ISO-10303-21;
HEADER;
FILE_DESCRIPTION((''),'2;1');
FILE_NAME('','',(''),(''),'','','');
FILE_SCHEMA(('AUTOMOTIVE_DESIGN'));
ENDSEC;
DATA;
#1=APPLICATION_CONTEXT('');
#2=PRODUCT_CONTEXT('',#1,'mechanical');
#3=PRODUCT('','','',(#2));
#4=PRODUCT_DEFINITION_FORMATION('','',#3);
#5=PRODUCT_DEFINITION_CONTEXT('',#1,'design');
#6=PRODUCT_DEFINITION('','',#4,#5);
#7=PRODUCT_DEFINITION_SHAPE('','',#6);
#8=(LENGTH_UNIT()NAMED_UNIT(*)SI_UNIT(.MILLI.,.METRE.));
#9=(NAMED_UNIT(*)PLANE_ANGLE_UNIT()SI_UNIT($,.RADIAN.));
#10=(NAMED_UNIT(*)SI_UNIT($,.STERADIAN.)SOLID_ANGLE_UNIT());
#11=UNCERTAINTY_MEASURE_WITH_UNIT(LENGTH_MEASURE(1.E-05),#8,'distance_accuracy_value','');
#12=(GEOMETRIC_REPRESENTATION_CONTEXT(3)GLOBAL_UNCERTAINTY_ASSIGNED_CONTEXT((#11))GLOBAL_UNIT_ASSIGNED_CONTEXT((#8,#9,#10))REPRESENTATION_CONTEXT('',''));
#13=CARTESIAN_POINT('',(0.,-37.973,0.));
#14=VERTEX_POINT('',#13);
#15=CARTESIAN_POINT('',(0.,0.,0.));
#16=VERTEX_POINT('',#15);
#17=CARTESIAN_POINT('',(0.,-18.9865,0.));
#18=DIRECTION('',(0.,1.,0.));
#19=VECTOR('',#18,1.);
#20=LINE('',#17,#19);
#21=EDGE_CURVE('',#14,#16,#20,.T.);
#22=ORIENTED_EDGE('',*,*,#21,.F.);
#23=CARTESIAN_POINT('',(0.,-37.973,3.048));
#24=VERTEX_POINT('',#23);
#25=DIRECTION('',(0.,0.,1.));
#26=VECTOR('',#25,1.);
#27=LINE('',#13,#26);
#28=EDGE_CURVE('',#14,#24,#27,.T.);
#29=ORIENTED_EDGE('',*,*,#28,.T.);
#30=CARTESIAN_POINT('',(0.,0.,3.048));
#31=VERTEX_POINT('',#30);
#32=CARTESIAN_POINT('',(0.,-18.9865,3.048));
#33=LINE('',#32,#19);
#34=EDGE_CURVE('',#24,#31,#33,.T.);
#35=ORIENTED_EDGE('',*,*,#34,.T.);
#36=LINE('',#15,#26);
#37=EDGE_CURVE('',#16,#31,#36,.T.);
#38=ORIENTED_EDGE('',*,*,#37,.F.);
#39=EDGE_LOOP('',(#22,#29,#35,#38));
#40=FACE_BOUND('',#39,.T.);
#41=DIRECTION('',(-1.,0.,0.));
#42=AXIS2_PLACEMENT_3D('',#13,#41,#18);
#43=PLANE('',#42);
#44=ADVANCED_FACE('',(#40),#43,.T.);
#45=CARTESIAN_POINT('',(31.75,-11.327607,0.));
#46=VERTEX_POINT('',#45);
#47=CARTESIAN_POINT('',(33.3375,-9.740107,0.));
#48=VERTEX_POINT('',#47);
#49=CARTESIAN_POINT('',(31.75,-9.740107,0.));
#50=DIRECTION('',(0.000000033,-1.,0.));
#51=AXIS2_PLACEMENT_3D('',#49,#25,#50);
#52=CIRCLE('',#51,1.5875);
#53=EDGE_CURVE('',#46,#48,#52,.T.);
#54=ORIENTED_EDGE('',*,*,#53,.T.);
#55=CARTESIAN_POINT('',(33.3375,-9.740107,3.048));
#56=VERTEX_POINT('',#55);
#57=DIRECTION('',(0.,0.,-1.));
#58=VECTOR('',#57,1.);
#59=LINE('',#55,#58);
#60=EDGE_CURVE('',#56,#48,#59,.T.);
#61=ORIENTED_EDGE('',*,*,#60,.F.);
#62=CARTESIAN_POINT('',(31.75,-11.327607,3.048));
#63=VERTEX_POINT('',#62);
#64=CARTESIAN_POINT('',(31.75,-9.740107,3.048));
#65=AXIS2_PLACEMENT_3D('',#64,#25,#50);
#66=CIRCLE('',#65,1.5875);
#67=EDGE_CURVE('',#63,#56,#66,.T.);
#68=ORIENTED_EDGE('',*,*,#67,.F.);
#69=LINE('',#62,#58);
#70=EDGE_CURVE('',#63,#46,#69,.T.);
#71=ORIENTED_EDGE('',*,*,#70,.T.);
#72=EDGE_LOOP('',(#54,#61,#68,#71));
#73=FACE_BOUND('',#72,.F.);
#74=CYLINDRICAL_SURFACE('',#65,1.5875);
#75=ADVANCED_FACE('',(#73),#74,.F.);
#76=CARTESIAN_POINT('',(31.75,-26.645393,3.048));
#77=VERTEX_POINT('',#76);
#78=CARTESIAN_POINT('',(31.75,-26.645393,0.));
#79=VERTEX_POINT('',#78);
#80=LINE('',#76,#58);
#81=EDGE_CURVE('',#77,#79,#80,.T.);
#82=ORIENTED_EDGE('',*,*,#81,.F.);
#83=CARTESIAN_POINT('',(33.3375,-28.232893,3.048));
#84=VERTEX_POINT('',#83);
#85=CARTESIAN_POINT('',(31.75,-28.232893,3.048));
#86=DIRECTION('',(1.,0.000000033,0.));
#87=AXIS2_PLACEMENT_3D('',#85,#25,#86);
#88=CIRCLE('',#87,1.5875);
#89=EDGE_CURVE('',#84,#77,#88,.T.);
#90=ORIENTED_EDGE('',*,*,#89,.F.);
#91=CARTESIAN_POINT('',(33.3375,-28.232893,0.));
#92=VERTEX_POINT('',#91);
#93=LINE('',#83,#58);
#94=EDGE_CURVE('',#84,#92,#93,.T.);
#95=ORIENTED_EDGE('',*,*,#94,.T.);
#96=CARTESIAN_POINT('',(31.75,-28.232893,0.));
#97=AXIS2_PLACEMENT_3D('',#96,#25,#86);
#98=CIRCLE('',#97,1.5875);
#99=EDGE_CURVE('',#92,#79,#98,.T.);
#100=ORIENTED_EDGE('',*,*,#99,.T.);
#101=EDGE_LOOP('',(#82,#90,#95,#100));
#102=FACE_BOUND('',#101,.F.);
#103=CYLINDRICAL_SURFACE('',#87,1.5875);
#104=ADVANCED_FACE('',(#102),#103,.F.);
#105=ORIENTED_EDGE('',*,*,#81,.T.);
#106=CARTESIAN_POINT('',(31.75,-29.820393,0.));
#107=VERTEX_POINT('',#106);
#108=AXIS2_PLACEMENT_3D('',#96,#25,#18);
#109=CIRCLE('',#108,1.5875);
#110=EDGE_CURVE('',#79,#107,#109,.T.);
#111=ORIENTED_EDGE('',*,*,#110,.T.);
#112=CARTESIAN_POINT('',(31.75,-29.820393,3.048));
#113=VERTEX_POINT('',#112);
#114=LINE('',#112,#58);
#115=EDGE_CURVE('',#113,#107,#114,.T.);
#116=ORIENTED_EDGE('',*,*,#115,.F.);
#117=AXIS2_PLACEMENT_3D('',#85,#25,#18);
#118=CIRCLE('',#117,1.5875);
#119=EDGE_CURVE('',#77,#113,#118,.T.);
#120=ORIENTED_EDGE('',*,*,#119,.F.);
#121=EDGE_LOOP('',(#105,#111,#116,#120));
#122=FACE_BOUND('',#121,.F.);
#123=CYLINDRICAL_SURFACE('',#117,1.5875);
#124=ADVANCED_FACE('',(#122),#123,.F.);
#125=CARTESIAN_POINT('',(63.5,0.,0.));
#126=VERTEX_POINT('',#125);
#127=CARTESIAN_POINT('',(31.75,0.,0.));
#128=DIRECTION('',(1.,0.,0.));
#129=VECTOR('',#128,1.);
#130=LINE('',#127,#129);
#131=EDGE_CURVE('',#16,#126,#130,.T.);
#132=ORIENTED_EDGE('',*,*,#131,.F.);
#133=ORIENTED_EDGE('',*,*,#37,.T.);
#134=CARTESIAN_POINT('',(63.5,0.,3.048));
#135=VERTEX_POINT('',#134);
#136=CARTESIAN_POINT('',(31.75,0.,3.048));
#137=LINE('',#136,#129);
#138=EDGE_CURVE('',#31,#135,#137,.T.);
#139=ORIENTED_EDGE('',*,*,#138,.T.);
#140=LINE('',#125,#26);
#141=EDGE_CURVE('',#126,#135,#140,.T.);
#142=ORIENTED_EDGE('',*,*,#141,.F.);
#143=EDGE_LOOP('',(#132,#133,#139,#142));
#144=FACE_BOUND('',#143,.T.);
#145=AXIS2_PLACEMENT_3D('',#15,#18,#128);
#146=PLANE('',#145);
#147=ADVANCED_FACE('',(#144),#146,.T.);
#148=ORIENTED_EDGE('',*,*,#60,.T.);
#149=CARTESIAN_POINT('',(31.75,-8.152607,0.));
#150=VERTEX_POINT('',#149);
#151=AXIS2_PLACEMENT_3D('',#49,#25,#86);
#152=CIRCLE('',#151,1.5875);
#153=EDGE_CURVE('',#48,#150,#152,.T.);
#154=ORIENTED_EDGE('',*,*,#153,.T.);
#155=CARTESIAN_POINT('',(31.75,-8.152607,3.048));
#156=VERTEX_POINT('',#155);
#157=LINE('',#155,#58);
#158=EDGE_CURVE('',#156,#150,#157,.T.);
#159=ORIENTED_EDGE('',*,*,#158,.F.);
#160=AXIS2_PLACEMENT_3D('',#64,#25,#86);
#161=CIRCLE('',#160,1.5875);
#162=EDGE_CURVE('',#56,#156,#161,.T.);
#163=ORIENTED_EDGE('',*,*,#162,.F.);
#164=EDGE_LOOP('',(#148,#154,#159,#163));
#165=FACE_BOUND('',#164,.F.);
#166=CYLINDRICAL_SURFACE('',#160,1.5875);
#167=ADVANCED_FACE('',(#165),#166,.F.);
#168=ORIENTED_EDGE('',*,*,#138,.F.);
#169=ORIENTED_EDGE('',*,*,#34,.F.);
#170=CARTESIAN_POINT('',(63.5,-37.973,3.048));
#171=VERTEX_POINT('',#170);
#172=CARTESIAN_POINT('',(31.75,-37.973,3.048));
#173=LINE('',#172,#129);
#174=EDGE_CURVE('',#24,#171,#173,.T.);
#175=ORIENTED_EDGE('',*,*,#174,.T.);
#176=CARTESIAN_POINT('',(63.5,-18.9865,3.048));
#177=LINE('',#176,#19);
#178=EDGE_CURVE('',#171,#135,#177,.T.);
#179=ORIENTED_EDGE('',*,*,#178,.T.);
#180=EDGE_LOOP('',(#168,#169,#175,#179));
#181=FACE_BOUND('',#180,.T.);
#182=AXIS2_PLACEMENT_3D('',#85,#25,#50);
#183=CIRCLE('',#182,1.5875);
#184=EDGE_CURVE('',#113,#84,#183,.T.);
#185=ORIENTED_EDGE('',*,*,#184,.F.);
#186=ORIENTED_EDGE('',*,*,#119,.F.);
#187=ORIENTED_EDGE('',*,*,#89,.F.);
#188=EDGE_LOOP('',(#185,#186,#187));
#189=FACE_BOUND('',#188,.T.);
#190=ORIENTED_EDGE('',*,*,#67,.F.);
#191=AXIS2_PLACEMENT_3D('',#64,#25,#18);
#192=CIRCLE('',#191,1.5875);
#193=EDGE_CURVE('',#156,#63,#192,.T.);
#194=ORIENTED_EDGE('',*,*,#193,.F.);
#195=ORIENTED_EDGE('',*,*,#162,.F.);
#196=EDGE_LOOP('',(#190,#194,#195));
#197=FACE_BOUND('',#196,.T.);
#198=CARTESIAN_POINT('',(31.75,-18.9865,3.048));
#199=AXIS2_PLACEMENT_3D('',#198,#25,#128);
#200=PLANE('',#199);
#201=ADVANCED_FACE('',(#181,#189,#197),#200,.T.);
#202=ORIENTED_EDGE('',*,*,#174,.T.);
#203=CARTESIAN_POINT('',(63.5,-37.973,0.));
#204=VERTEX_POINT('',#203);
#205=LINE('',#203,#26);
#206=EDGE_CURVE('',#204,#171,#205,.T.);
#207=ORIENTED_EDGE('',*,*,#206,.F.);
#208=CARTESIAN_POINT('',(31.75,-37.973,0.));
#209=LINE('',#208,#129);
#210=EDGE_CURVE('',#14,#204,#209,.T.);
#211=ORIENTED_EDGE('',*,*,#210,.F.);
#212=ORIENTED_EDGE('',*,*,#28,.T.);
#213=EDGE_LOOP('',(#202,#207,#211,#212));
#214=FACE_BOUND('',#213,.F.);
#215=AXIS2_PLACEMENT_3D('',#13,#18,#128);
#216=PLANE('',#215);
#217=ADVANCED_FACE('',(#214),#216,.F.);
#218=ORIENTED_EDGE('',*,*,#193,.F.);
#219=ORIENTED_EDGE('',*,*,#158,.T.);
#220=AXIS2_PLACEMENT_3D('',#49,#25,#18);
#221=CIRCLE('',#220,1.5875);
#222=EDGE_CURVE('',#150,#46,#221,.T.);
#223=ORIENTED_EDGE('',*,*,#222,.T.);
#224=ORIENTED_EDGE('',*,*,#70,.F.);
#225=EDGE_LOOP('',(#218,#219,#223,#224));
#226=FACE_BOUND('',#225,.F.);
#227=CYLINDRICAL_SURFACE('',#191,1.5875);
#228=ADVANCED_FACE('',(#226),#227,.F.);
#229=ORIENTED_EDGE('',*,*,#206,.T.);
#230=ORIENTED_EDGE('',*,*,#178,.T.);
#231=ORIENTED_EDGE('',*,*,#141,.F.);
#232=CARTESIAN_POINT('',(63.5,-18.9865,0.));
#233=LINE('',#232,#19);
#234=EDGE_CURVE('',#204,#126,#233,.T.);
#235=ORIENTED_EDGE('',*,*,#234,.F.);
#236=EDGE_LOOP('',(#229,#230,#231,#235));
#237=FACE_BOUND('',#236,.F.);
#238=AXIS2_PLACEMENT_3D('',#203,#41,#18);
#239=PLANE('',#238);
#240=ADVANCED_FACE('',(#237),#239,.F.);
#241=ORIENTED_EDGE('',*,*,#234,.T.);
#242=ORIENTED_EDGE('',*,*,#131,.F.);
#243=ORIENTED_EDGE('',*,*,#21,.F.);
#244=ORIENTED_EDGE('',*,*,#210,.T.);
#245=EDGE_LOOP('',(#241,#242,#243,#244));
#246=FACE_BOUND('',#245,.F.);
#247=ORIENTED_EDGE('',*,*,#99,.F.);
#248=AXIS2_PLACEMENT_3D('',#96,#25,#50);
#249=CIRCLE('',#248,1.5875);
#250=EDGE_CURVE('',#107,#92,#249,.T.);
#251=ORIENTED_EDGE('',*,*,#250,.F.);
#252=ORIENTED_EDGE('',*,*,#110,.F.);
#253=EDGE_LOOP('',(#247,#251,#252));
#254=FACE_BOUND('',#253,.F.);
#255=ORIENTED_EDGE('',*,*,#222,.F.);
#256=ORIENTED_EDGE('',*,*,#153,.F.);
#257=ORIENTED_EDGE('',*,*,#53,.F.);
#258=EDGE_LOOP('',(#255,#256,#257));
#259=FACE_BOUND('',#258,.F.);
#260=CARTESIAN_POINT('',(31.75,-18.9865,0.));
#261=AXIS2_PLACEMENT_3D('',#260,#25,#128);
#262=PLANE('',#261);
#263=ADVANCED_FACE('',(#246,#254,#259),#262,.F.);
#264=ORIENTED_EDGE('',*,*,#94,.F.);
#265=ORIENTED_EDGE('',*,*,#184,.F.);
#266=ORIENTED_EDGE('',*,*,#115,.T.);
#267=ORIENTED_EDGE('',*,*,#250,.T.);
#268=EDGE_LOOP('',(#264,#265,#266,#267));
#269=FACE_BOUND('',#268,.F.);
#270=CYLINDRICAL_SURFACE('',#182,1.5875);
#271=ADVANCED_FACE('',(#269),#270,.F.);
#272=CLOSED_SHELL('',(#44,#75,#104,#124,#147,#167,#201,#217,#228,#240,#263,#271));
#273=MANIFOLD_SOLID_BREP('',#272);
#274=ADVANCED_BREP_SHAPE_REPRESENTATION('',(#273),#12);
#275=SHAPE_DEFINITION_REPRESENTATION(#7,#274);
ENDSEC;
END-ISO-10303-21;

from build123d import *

# Parameters (mm, degrees)
F0_W     = 63.5
F0_H     = 37.973
F1_DEPTH = 3.048
F3_DEPTH = 3.048


with BuildPart() as f1:
    # F0 (on Top) → F1 (new body)
    with BuildSketch(Plane.XY):
        with Locations((31.75, -18.9865)):
            Rectangle(F0_W, F0_H)
    extrude(amount=F1_DEPTH)

    # F2 (on face) → F3 (cut, through all)
    with BuildSketch(Plane.XY.offset(3.048)):
        with BuildLine():
            ThreePointArc((31.75, -26.645393), (30.1625, -28.232893), (31.75, -29.820393))
            Line((31.75, -29.820393), (31.75, -26.645393))
        make_face()
        with BuildLine():
            ThreePointArc((31.75, -8.152607), (30.1625, -9.740107), (31.75, -11.327607))
            Line((31.75, -11.327607), (31.75, -8.152607))
        make_face()
        with BuildLine():
            Line((31.75, -8.152607), (31.75, -11.327607))
            ThreePointArc((31.75, -11.327607), (32.872532, -10.862639), (33.3375, -9.740107))
            ThreePointArc((33.3375, -9.740107), (32.872532, -8.617575), (31.75, -8.152607))
        make_face()
        with BuildLine():
            Line((31.75, -26.645393), (31.75, -29.820393))
            ThreePointArc((31.75, -29.820393), (32.872532, -29.355425), (33.3375, -28.232893))
            ThreePointArc((33.3375, -28.232893), (32.872532, -27.110361), (31.75, -26.645393))
        make_face()
    extrude(amount=-F3_DEPTH, mode=Mode.SUBTRACT)


solid = f1.part
